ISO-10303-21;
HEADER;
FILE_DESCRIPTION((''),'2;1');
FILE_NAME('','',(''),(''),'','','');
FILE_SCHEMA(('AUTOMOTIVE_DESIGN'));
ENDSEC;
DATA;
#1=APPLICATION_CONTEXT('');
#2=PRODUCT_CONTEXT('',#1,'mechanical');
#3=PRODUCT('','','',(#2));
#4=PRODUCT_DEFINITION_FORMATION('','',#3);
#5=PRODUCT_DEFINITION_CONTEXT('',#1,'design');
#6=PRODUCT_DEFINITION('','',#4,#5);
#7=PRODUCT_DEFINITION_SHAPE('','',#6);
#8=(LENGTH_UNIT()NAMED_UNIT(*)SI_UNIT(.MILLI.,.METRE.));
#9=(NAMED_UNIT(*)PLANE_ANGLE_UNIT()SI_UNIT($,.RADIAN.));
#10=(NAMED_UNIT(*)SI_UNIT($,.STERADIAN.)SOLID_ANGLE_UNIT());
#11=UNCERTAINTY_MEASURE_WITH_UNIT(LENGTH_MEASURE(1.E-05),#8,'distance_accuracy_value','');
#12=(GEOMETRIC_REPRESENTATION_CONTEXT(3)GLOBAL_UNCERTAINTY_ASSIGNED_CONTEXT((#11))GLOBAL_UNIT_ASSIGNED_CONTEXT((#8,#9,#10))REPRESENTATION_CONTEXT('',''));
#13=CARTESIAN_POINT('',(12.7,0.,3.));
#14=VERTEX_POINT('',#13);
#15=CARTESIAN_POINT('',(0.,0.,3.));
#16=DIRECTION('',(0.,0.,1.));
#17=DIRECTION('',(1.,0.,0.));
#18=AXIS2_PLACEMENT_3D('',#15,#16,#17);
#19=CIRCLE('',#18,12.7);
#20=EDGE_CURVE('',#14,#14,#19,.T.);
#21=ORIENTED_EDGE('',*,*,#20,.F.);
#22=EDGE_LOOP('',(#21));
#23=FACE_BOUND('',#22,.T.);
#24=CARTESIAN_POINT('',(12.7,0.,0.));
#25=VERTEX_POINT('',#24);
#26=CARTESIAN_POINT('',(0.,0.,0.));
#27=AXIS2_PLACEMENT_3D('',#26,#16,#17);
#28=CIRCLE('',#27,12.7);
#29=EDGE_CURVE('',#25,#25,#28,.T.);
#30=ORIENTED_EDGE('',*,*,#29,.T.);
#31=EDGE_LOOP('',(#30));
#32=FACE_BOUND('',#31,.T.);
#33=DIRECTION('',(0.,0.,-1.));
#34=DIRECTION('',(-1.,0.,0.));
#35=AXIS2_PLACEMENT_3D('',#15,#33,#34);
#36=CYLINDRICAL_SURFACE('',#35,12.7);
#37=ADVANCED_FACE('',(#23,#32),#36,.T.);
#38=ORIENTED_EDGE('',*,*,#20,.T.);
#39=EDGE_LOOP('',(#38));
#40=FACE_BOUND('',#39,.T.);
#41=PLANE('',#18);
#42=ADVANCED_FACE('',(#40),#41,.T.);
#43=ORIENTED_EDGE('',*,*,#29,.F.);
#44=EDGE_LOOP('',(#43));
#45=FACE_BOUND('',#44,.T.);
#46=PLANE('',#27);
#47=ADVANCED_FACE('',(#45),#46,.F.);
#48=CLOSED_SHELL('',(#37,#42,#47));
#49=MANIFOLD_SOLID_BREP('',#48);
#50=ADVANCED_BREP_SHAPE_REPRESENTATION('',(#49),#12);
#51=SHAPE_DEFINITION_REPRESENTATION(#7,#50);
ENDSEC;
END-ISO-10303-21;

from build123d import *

# Parameters (mm, degrees)
SKETCH1_R      = 12.7
EXTRUDE1_DEPTH = 3


with BuildPart() as part:
    # Sketch1 → Extrude1 (new body)
    with BuildSketch(Plane.XY):
        Circle(SKETCH1_R)
    extrude(amount=EXTRUDE1_DEPTH)


solid = part.part
